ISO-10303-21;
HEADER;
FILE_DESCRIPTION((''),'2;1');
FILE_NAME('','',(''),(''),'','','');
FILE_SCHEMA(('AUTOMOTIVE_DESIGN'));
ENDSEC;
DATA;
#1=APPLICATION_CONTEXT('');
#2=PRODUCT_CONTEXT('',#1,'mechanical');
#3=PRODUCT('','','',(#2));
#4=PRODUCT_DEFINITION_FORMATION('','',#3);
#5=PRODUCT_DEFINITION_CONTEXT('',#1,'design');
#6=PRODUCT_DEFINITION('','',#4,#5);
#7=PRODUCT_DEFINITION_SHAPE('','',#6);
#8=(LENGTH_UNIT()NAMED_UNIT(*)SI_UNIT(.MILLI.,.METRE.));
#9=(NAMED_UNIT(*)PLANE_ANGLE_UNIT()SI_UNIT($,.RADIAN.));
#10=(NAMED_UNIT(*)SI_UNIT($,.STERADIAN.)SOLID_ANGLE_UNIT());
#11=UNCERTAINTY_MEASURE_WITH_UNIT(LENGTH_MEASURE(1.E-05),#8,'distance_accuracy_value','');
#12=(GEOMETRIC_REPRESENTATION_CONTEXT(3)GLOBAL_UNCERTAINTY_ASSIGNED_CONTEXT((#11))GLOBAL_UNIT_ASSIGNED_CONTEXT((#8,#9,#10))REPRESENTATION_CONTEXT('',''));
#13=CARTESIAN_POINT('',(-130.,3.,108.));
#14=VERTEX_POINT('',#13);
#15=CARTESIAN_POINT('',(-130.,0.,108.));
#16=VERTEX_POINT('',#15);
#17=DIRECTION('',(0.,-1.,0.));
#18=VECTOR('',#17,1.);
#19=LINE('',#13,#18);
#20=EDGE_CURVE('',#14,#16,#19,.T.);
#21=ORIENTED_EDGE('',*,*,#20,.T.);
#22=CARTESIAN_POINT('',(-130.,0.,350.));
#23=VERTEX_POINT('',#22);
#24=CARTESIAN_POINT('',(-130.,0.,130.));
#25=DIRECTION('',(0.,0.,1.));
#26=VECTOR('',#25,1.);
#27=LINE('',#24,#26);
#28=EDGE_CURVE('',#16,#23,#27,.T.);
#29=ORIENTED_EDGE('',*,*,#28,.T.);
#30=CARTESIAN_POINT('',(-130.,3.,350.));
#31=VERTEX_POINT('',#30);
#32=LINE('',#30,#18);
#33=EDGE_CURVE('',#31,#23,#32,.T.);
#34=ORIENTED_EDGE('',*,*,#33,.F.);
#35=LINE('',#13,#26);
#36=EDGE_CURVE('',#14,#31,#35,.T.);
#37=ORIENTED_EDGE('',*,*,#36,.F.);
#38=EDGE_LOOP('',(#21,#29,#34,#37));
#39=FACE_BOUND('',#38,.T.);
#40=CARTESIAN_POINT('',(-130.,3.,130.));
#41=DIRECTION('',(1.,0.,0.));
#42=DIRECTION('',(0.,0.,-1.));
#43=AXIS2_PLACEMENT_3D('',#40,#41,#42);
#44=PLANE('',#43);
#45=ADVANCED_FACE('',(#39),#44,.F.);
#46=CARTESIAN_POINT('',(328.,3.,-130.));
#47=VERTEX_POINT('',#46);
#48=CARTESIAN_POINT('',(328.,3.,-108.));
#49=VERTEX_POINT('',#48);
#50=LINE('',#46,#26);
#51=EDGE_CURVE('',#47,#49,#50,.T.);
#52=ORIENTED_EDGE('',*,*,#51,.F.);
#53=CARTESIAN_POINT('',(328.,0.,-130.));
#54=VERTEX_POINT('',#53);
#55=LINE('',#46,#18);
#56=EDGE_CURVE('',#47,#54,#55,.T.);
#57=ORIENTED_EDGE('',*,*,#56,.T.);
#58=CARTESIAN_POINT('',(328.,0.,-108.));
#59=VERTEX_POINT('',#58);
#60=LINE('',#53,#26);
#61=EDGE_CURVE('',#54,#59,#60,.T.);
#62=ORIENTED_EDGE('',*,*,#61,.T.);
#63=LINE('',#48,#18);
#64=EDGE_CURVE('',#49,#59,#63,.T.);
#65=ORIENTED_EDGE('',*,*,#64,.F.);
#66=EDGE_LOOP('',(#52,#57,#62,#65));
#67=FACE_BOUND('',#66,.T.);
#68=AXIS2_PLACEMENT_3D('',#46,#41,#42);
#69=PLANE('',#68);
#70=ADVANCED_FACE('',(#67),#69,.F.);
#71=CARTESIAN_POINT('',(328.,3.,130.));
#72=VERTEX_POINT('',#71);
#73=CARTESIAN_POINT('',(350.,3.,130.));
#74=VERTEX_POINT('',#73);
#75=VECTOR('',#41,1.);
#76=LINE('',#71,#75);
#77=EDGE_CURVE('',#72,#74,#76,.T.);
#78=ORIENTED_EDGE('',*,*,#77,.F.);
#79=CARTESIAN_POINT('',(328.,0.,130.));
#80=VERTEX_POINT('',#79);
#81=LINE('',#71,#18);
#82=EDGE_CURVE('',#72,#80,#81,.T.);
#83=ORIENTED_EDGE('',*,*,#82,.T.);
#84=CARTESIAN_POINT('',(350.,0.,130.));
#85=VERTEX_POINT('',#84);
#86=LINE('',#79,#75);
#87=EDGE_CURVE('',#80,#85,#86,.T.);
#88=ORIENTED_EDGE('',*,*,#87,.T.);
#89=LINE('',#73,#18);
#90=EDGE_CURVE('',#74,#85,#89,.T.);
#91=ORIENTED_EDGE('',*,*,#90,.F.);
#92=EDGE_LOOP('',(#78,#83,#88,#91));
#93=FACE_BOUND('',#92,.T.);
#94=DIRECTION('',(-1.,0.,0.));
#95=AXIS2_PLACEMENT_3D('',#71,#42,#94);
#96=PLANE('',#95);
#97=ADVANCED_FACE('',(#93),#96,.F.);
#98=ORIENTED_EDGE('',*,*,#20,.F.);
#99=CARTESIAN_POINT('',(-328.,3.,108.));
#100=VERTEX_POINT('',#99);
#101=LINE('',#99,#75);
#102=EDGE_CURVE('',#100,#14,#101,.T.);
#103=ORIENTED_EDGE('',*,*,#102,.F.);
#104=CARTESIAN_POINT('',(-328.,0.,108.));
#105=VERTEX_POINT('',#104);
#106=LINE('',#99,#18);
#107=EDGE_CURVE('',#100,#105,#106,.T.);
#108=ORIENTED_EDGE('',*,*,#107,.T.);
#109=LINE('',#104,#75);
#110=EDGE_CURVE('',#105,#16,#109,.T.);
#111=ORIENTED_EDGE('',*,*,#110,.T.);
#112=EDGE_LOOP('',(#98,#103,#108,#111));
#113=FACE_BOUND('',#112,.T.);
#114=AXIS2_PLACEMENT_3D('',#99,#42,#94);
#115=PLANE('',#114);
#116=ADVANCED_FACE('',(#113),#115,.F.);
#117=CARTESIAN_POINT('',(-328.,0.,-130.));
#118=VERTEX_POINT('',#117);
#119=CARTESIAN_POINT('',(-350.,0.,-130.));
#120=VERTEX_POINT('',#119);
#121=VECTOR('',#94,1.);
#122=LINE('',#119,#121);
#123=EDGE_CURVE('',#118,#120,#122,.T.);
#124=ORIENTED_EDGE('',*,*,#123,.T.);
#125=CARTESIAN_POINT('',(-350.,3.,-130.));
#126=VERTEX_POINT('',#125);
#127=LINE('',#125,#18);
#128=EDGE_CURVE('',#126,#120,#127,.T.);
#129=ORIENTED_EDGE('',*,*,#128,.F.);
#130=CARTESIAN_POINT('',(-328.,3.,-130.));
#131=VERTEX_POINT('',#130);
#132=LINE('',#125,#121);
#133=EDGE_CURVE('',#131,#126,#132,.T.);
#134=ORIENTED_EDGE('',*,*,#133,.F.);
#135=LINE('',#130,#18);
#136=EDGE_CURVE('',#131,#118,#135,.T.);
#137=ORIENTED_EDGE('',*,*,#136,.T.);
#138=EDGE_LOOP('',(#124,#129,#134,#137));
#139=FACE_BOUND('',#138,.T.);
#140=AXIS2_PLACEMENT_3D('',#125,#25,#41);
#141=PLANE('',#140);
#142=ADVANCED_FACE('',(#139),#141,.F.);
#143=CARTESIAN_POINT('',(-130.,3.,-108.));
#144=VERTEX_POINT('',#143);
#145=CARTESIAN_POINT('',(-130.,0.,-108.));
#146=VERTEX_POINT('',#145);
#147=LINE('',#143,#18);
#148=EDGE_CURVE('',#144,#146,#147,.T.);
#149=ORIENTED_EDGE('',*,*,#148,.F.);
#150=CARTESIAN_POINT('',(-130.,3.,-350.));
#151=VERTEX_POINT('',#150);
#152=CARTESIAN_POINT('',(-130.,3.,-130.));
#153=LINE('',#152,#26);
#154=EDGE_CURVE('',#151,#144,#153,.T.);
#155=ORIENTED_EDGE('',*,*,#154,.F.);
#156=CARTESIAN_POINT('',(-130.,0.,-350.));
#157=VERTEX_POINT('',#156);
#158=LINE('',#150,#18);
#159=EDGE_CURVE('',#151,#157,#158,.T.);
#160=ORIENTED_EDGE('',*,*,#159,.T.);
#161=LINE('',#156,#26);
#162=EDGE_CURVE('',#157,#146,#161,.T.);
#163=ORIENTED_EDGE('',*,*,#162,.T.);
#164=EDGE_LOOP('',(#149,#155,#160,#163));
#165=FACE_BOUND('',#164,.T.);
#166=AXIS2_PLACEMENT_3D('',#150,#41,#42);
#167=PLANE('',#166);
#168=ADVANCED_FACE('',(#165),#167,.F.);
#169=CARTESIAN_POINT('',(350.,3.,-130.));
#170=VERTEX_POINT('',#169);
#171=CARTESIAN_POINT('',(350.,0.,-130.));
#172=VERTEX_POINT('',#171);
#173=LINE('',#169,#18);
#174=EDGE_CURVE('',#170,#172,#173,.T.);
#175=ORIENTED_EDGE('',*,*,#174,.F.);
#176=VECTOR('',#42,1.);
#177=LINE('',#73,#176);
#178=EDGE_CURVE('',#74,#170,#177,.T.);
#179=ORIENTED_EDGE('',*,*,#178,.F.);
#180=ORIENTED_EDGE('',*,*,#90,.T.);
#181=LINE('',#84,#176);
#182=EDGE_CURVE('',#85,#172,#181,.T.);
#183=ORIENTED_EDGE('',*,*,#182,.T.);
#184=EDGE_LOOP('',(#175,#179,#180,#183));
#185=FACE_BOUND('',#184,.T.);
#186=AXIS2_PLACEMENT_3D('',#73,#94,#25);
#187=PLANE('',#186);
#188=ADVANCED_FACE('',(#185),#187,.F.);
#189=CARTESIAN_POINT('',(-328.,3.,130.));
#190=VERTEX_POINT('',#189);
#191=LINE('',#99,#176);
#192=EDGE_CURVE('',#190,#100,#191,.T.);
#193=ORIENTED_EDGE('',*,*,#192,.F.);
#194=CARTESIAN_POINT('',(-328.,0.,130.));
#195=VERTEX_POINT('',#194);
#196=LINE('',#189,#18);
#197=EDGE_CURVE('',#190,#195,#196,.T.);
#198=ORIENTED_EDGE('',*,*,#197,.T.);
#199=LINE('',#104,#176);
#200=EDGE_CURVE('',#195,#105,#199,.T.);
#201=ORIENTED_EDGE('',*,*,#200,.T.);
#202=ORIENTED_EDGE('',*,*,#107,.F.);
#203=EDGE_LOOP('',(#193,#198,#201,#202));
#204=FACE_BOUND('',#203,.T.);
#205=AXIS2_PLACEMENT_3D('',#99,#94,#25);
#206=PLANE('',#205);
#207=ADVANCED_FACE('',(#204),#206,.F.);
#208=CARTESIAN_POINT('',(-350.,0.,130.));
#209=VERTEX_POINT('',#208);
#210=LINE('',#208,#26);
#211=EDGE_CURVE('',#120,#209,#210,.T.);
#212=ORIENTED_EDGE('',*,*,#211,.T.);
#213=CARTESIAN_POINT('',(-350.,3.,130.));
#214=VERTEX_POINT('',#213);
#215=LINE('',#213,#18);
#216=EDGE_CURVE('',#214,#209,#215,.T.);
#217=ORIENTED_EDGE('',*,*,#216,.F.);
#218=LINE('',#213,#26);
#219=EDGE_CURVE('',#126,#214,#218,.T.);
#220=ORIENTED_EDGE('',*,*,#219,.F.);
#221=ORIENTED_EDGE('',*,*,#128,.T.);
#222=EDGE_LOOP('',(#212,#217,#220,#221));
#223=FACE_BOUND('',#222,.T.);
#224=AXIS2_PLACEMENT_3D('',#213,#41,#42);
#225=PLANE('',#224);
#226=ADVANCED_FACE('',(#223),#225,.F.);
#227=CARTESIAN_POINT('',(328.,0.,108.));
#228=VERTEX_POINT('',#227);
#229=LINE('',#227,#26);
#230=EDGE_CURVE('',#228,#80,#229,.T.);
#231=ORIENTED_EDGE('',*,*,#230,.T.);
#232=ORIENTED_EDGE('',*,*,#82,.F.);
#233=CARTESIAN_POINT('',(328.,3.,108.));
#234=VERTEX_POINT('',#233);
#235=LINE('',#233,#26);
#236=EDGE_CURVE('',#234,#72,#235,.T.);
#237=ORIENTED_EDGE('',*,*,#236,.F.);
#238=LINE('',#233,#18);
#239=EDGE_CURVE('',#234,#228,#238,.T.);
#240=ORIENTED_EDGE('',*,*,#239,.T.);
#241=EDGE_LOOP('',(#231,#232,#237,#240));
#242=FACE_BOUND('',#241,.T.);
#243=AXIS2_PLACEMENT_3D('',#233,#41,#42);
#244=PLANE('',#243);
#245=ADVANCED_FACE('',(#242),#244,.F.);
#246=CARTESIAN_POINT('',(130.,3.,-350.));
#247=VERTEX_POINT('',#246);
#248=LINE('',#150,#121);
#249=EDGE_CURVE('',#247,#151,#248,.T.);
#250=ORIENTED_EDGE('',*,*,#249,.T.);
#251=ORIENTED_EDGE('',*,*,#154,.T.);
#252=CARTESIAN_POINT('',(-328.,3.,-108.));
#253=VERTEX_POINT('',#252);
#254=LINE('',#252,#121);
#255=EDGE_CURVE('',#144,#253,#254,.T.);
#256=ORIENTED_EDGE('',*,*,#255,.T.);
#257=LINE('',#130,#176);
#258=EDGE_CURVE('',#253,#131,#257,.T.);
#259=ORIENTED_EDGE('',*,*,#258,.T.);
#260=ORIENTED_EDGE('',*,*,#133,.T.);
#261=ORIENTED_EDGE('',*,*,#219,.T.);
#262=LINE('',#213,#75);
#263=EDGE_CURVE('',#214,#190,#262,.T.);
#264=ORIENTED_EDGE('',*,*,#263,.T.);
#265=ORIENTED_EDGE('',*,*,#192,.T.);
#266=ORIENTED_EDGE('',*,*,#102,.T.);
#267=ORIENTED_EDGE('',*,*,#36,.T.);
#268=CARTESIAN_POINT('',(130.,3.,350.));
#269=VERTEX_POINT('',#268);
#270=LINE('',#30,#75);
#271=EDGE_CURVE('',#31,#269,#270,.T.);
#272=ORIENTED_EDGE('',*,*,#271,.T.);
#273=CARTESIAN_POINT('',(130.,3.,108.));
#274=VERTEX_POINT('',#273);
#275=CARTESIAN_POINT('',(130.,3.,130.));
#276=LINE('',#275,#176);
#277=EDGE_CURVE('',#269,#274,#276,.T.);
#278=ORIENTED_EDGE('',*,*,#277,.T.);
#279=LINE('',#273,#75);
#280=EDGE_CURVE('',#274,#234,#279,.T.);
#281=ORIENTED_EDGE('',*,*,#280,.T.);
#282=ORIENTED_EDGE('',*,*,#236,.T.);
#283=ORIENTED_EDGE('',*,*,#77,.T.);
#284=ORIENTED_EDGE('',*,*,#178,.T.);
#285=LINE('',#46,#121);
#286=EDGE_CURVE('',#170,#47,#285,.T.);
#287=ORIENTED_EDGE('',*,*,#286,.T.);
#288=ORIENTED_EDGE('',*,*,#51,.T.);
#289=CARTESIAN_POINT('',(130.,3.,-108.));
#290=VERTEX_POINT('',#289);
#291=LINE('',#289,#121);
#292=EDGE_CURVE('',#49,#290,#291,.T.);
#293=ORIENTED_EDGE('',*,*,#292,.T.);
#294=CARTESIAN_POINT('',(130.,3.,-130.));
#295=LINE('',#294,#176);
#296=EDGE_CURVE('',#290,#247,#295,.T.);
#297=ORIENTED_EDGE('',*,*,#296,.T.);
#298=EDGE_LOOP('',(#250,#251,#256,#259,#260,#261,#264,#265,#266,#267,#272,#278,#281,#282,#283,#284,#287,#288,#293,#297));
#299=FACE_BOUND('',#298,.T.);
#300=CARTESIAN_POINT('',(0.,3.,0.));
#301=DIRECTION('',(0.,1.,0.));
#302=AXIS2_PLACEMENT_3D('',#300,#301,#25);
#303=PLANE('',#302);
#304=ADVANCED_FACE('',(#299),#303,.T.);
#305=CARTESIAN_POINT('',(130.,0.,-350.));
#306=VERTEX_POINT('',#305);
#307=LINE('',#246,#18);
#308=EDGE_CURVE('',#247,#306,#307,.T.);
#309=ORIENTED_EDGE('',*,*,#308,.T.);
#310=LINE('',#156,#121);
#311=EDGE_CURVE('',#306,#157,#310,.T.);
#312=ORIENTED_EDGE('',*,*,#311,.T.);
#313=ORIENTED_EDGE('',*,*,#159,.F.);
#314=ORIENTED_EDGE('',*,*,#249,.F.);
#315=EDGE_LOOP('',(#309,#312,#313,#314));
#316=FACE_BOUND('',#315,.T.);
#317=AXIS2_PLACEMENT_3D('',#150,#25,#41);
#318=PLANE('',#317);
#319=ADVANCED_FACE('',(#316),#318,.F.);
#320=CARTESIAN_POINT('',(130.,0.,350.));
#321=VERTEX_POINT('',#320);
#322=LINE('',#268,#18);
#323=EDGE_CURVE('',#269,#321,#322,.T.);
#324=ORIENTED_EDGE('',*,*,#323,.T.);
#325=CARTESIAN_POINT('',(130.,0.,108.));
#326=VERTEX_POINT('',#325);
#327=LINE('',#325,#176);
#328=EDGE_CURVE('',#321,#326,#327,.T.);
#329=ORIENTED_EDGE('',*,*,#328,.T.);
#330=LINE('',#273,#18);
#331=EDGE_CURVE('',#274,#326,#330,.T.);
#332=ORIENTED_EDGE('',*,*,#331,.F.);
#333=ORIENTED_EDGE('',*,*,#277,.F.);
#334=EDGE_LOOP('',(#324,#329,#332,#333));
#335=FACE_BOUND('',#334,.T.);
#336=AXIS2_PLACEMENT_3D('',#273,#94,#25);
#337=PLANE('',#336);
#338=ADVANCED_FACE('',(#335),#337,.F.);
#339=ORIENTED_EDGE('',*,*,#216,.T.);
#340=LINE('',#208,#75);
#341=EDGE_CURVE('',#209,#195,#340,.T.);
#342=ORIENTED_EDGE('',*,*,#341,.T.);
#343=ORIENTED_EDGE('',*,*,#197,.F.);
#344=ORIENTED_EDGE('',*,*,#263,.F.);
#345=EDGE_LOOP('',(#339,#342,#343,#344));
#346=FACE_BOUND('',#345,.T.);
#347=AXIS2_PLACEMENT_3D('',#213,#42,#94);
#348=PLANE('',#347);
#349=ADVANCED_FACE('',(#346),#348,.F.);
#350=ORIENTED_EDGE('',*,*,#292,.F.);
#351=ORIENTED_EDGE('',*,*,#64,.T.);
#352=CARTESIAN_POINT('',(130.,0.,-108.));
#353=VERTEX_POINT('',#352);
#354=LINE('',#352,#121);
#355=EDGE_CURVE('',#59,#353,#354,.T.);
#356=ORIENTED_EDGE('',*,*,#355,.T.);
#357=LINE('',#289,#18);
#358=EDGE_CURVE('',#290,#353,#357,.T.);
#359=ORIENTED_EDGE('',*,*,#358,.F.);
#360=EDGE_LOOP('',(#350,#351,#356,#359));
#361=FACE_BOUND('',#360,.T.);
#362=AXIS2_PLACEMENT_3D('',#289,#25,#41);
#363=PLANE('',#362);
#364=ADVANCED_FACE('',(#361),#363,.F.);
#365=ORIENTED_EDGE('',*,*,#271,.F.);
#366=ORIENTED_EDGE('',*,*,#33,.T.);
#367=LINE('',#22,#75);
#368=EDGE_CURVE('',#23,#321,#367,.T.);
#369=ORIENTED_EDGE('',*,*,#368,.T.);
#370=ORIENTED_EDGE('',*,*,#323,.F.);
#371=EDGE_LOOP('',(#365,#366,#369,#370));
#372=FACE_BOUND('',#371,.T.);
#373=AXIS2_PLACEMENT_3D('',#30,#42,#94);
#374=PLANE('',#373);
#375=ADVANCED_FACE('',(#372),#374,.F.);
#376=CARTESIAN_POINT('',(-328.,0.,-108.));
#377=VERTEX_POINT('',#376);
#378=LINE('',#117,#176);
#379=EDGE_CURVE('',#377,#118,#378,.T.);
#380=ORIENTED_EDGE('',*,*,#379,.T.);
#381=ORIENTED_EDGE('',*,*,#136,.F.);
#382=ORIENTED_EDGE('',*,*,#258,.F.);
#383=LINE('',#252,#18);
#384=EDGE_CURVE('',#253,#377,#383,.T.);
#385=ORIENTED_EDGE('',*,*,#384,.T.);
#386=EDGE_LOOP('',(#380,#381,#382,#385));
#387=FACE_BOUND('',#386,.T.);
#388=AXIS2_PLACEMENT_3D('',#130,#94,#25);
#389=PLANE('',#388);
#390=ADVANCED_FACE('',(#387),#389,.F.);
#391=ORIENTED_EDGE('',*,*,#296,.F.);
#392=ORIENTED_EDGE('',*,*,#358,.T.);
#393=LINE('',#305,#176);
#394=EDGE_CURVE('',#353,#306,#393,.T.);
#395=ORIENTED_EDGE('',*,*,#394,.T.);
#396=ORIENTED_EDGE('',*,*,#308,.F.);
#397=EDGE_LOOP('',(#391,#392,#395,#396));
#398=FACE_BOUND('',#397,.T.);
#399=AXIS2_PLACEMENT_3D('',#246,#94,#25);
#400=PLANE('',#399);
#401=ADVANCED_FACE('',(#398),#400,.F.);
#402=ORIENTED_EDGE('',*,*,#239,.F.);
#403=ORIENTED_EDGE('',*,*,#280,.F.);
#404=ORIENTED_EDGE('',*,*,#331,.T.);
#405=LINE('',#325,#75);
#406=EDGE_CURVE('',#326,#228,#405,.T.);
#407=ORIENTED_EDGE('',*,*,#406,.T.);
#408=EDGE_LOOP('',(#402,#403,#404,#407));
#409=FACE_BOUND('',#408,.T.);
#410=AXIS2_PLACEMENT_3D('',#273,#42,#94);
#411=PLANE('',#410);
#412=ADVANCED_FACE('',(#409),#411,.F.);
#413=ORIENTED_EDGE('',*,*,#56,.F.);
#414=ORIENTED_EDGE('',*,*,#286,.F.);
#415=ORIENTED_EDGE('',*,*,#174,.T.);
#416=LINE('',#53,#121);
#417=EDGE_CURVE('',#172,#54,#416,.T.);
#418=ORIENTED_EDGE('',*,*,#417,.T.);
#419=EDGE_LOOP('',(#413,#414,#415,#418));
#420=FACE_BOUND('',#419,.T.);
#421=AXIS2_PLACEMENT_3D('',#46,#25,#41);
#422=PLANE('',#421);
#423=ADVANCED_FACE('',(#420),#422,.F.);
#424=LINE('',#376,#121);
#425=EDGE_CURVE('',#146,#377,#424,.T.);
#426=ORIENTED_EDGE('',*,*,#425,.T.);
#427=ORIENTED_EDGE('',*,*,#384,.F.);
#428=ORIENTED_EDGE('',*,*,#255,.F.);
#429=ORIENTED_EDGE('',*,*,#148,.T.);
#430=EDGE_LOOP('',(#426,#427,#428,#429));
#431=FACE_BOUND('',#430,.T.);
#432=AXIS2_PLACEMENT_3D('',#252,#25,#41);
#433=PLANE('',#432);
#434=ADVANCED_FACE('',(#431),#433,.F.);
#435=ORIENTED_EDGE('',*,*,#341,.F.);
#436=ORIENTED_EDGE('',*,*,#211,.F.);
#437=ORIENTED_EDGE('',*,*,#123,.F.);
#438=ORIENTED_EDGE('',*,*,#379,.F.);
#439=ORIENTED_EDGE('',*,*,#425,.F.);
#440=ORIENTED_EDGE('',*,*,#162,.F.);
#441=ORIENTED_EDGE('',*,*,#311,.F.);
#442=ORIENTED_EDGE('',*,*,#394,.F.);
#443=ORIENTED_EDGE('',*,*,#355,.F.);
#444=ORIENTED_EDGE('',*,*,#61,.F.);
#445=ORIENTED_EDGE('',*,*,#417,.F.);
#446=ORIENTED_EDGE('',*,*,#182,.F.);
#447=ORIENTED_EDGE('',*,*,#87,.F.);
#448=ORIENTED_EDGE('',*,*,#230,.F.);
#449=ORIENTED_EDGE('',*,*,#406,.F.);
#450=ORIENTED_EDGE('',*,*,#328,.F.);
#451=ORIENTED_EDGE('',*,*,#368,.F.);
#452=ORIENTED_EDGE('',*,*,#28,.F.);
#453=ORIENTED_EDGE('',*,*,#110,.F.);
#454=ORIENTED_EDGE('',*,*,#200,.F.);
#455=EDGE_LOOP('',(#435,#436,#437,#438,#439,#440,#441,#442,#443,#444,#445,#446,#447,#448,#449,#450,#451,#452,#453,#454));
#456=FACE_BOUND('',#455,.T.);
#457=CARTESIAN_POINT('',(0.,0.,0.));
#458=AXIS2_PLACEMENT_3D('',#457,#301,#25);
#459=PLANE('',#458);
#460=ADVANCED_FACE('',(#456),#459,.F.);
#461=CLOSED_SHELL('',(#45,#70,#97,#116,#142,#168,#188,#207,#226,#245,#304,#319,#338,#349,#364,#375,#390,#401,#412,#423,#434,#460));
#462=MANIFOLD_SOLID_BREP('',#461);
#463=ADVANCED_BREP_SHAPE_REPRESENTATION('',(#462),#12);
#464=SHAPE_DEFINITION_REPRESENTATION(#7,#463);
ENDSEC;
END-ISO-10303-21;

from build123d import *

# Parameters (mm, degrees)
BOSS_EXTRUDE1_DEPTH = 3


with BuildPart() as part:
    # Sketch1 → Boss-Extrude1 (new body)
    with BuildSketch(Plane(origin=(0, 0, 0), x_dir=(1, 0, 0), z_dir=(0, 1, 0))):
        Polygon((-350, -130), (-328, -130), (-328, -108), (-130, -108), (-130, -130), (-130, -350), (130, -350), (130, -130), (130, -108), (328, -108), (328, -130), (350, -130), (350, 130), (328, 130), (328, 108), (130, 108), (130, 130), (130, 350), (-130, 350), (-130, 130), (-130, 108), (-328, 108), (-328, 130), (-350, 130), align=None)
    extrude(amount=BOSS_EXTRUDE1_DEPTH)


solid = part.part
